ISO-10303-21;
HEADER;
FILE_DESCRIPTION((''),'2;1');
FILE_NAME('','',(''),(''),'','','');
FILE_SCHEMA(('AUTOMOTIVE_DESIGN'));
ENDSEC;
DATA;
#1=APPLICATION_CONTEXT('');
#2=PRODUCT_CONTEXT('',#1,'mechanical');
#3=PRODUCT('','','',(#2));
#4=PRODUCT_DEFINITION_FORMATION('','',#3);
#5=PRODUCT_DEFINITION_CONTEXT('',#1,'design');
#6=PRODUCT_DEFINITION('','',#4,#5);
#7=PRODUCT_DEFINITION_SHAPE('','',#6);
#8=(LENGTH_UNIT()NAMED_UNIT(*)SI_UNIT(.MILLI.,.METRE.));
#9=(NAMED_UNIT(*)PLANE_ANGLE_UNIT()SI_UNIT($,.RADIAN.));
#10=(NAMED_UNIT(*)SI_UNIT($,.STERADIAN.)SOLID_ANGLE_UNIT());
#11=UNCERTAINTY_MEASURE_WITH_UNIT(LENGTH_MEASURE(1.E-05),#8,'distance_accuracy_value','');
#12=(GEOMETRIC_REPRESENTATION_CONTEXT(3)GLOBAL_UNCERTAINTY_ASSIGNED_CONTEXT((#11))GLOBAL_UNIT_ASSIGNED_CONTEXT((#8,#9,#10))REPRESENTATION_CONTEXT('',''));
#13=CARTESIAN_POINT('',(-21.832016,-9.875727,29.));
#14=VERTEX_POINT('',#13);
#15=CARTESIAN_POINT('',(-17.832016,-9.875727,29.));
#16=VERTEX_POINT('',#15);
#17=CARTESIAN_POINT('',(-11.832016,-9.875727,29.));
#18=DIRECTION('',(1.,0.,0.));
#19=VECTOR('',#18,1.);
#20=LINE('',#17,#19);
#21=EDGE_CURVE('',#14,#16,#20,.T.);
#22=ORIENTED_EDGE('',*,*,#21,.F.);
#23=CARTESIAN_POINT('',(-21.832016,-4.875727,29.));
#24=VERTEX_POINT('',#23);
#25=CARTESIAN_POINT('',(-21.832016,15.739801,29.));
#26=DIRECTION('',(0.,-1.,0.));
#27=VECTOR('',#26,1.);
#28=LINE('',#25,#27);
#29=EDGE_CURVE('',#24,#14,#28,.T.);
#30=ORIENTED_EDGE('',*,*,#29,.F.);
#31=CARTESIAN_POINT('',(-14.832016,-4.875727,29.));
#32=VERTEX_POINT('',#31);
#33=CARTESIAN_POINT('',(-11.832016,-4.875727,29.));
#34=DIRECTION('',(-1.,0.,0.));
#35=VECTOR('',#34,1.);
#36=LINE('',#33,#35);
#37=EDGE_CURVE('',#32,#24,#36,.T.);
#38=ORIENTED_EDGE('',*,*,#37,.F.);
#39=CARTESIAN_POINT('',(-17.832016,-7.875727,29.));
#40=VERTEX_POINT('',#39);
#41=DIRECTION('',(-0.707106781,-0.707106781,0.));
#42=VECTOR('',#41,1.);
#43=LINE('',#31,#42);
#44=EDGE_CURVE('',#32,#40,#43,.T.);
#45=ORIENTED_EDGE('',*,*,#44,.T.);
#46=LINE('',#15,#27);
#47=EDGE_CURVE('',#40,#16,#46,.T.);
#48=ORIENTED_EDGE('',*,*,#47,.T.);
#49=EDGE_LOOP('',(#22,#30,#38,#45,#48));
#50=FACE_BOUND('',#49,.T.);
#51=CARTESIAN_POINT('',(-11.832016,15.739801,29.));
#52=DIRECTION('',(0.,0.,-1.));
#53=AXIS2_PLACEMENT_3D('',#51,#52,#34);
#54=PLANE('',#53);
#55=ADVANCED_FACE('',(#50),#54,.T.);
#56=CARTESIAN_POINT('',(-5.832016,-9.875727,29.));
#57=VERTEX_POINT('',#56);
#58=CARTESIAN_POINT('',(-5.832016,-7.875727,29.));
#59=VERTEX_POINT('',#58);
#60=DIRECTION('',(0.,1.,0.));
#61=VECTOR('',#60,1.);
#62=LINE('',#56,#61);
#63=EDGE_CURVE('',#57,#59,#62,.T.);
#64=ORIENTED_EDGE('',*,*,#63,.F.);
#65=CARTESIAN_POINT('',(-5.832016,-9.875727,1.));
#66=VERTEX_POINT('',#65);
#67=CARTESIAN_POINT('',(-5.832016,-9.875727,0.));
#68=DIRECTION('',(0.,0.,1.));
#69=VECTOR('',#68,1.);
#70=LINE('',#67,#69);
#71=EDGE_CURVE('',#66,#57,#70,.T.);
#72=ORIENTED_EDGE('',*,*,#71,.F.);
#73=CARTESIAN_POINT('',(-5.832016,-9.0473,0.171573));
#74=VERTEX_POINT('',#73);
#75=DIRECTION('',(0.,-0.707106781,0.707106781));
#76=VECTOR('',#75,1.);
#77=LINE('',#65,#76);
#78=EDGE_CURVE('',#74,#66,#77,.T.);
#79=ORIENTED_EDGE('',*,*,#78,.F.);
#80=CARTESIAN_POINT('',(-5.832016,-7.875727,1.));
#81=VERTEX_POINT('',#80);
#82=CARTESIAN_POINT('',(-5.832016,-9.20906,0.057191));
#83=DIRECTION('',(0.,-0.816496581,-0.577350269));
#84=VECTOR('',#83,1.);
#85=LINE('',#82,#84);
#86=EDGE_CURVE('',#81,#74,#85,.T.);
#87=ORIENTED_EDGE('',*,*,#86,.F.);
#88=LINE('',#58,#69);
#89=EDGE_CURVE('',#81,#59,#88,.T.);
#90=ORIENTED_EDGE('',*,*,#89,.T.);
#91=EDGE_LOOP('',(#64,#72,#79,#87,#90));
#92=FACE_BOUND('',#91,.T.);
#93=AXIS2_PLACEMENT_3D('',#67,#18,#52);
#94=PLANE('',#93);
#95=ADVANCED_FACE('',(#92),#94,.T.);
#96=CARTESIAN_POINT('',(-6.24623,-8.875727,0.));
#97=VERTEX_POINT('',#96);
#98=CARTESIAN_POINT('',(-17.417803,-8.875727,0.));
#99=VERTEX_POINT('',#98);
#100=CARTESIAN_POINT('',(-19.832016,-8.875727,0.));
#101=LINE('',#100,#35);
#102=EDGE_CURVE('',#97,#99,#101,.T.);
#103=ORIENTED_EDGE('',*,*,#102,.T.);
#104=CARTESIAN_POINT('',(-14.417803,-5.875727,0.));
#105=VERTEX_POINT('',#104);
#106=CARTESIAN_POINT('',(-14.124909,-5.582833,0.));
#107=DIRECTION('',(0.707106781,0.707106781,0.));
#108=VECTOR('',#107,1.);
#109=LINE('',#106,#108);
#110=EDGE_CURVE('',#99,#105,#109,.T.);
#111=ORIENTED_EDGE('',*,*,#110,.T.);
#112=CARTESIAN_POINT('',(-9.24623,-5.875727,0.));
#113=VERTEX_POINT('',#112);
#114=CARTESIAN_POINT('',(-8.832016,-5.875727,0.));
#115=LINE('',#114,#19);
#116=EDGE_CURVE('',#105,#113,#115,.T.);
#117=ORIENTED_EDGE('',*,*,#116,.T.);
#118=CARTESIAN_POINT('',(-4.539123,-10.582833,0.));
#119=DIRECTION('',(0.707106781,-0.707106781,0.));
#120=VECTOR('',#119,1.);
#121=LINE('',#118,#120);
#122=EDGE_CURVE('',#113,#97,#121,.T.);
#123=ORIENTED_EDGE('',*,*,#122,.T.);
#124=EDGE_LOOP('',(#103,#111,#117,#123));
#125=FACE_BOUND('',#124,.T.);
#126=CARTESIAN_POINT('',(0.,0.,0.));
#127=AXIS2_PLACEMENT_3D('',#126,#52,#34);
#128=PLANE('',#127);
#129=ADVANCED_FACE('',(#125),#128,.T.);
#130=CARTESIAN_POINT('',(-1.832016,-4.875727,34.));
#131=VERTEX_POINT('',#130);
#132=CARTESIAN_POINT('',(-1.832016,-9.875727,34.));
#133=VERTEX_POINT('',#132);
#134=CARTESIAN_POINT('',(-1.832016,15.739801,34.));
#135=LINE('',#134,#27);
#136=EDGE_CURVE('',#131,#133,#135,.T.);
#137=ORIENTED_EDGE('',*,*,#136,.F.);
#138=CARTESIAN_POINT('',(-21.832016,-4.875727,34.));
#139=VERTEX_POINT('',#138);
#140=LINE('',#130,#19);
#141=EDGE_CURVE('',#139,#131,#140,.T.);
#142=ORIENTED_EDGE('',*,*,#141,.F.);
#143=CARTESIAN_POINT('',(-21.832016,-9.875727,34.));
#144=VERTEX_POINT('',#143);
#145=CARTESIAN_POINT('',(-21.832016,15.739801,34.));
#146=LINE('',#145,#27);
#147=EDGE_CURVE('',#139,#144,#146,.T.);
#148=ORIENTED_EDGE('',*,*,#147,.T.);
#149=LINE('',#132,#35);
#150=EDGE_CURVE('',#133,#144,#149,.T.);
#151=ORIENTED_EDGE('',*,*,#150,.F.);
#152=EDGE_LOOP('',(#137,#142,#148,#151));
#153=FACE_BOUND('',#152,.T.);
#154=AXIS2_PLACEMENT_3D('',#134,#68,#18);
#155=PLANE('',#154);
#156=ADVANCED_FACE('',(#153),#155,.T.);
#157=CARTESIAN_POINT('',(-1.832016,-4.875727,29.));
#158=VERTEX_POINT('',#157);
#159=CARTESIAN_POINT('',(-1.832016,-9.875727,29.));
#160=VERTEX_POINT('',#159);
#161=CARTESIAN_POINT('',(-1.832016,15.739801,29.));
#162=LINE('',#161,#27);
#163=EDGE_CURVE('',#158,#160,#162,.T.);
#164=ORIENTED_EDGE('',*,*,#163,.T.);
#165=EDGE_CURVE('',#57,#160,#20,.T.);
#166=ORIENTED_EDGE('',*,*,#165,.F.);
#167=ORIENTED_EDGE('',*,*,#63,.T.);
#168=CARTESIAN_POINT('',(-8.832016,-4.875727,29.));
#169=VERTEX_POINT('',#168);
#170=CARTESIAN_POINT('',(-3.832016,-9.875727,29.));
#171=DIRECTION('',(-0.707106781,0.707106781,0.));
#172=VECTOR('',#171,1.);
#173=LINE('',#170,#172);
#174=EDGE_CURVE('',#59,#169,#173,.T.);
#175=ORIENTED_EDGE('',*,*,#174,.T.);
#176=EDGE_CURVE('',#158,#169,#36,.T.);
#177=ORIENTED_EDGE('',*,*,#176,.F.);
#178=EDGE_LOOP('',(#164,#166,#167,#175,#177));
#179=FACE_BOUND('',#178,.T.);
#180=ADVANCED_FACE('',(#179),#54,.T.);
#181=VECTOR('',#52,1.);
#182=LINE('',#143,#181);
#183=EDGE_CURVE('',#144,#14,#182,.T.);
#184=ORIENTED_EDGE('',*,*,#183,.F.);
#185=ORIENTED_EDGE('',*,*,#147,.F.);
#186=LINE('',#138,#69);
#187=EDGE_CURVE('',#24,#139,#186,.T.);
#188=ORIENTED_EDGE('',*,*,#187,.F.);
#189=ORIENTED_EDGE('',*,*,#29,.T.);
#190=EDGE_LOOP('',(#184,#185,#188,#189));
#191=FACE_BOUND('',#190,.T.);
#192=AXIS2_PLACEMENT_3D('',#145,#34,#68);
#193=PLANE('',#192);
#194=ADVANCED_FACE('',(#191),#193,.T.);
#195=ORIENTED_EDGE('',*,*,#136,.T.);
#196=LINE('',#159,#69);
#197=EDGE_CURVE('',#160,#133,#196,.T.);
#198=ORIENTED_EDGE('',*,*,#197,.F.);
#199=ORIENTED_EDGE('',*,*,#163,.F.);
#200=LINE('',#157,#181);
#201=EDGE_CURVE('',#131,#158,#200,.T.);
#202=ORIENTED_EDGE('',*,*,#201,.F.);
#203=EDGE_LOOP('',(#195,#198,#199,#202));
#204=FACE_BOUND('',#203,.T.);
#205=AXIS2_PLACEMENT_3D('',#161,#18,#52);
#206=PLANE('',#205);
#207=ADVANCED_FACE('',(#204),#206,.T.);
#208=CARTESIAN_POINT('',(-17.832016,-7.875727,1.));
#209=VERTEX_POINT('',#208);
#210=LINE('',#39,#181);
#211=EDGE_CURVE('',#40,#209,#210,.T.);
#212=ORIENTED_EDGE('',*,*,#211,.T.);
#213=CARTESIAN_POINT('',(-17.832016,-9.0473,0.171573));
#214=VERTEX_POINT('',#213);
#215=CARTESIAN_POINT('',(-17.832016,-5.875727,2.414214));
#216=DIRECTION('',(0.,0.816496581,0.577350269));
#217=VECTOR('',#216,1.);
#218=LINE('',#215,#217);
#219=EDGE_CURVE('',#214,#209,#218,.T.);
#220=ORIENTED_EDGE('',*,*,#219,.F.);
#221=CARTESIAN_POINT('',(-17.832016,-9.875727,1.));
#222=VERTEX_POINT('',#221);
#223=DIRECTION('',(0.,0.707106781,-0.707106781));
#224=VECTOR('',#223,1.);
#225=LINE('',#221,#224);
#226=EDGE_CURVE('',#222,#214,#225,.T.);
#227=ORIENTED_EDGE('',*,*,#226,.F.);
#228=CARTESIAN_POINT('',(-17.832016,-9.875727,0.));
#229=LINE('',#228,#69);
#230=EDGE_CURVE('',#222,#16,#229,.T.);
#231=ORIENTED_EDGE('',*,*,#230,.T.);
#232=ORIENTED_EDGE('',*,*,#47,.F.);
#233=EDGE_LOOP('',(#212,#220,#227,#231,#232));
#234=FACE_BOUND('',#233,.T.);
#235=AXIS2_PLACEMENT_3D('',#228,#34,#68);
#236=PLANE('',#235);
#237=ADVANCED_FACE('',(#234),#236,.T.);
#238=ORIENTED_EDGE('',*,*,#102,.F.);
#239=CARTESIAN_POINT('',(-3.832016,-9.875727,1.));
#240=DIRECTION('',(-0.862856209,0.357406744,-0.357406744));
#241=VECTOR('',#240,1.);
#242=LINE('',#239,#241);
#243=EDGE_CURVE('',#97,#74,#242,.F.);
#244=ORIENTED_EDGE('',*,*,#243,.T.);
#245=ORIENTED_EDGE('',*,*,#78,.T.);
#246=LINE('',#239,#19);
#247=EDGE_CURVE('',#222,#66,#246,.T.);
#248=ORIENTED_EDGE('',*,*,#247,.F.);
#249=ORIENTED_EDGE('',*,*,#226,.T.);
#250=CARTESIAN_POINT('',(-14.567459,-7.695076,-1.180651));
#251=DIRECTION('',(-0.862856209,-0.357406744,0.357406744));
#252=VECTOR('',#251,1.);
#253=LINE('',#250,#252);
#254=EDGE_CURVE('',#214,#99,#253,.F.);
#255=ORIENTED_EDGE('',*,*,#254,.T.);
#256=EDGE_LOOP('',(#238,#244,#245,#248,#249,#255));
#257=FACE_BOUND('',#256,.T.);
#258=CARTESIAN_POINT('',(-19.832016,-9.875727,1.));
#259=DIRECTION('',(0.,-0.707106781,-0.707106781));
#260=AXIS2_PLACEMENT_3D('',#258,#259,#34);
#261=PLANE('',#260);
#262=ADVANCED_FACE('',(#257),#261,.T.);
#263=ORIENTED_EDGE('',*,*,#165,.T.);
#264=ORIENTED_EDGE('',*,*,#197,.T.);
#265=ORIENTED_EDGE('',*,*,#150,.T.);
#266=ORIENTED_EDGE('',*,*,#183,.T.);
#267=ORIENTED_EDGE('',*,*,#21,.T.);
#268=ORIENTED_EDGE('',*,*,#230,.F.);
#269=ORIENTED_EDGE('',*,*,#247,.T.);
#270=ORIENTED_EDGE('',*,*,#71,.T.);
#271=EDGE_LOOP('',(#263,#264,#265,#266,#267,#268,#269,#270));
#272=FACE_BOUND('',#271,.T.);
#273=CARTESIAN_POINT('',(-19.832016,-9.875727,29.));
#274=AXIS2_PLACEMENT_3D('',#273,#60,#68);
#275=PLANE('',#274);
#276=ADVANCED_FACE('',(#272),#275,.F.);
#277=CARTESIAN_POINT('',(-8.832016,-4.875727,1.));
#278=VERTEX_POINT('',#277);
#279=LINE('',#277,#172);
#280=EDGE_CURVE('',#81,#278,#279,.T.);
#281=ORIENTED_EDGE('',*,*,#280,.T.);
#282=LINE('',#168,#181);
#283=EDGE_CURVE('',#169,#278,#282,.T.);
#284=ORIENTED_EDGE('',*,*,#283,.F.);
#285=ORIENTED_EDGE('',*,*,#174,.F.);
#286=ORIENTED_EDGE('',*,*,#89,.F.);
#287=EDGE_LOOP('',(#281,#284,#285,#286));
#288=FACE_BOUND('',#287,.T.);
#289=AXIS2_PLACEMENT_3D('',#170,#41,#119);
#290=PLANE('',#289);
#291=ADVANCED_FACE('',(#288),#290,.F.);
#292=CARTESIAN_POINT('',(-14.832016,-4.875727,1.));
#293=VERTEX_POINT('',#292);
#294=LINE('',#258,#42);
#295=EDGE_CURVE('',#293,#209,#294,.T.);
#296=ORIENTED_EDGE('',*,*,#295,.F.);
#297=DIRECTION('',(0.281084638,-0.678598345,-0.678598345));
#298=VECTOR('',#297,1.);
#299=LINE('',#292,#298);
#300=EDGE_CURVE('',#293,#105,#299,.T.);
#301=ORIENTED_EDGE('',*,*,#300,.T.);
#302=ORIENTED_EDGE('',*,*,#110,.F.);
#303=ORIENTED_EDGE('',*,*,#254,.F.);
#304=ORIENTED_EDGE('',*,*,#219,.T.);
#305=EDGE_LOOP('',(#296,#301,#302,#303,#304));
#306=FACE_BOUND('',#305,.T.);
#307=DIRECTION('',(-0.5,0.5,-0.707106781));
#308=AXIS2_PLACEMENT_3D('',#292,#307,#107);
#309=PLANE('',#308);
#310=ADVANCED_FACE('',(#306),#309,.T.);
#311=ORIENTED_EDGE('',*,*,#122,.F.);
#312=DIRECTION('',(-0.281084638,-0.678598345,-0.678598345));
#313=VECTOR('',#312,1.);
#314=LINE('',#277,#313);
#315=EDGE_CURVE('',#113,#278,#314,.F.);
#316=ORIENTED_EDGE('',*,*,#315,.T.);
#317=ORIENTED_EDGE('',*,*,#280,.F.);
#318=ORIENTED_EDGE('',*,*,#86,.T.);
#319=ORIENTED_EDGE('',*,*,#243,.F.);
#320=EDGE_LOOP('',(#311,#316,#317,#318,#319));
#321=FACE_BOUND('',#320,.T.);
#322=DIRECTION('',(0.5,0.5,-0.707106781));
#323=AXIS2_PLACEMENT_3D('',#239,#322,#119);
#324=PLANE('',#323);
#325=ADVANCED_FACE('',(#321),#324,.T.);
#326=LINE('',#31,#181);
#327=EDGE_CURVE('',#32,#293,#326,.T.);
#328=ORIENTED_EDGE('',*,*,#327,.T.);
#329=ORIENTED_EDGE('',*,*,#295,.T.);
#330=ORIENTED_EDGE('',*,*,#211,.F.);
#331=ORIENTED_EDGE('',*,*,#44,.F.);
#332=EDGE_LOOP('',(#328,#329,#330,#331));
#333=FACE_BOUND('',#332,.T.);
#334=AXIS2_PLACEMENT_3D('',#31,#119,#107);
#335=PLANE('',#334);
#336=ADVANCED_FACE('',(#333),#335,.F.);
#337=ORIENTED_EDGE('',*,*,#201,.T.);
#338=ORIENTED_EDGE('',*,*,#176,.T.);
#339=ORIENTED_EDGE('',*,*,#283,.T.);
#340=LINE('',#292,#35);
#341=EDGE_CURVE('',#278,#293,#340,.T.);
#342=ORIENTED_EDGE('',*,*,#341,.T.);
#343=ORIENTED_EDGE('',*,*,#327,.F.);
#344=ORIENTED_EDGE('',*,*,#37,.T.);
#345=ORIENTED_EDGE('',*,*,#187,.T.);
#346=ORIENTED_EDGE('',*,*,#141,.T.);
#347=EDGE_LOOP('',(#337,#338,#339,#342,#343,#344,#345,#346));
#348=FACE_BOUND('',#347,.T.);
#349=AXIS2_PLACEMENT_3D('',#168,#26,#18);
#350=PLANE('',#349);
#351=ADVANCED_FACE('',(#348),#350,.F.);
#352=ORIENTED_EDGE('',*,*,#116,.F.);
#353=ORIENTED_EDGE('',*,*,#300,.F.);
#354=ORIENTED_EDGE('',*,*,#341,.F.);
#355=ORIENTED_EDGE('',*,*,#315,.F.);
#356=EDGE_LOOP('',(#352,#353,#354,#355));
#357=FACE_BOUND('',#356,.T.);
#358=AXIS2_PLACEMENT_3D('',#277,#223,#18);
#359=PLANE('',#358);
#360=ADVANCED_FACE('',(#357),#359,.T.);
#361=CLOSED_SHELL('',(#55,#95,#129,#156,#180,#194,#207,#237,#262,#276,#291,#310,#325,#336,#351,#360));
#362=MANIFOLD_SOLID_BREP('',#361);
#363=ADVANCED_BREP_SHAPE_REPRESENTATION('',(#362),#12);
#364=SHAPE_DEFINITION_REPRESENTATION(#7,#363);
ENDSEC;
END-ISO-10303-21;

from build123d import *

# Parameters (mm, degrees)
EXTRUDE_1_DEPTH     = 29
EXTRUDE_2_DEPTH     = 5
CHAMFER_1_SIZE      = 1
SKETCH_4_W          = 2
SKETCH_4_H          = 3.10400654
SKETCH_4_H_2        = 3.326169865
CUT_EXTRUDE_1_DEPTH = 30


with BuildPart() as part:
    # 草图1 → 凸台-拉伸1 (new body)
    with BuildSketch(Plane.XY):
        Polygon((-19.832016219, -9.875726629), (-3.832016219, -9.875726629), (-8.832016219, -4.875726629), (-14.832016219, -4.875726629), align=None)
    extrude(amount=EXTRUDE_1_DEPTH)

    # 草图3 → 凸台-拉伸2 (add)
    with BuildSketch(Plane.XZ.offset(9.875726629)):
        Polygon((-11.832016219, 29), (-1.832016219, 29), (-1.832016219, 34), (-21.832016219, 34), (-21.832016219, 29), align=None)
    extrude(amount=-EXTRUDE_2_DEPTH)

    # 倒角1
    chamfer_1_edges = [part.edges().sort_by_distance(p)[0] for p in [
        (-11.832016219, -4.875726629, 0),
        (-6.332016219, -7.375726629, 0),
        (-11.832016219, -9.875726629, 0),
        (-17.332016219, -7.375726629, 0),
    ]]
    chamfer(chamfer_1_edges, length=CHAMFER_1_SIZE)

    # 草图4 → 切除-拉伸1 (cut, through all)
    with BuildSketch(Plane(origin=(0, 0, 29), x_dir=(-1, 0, 0), z_dir=(0, 0, -1))):
        with Locations((4.832016219, -8.323723359)):
            Rectangle(SKETCH_4_W, SKETCH_4_H)
        with Locations((18.832016219, -8.212641697)):
            Rectangle(SKETCH_4_W, SKETCH_4_H_2)
    extrude(amount=CUT_EXTRUDE_1_DEPTH, mode=Mode.SUBTRACT)


solid = part.part
